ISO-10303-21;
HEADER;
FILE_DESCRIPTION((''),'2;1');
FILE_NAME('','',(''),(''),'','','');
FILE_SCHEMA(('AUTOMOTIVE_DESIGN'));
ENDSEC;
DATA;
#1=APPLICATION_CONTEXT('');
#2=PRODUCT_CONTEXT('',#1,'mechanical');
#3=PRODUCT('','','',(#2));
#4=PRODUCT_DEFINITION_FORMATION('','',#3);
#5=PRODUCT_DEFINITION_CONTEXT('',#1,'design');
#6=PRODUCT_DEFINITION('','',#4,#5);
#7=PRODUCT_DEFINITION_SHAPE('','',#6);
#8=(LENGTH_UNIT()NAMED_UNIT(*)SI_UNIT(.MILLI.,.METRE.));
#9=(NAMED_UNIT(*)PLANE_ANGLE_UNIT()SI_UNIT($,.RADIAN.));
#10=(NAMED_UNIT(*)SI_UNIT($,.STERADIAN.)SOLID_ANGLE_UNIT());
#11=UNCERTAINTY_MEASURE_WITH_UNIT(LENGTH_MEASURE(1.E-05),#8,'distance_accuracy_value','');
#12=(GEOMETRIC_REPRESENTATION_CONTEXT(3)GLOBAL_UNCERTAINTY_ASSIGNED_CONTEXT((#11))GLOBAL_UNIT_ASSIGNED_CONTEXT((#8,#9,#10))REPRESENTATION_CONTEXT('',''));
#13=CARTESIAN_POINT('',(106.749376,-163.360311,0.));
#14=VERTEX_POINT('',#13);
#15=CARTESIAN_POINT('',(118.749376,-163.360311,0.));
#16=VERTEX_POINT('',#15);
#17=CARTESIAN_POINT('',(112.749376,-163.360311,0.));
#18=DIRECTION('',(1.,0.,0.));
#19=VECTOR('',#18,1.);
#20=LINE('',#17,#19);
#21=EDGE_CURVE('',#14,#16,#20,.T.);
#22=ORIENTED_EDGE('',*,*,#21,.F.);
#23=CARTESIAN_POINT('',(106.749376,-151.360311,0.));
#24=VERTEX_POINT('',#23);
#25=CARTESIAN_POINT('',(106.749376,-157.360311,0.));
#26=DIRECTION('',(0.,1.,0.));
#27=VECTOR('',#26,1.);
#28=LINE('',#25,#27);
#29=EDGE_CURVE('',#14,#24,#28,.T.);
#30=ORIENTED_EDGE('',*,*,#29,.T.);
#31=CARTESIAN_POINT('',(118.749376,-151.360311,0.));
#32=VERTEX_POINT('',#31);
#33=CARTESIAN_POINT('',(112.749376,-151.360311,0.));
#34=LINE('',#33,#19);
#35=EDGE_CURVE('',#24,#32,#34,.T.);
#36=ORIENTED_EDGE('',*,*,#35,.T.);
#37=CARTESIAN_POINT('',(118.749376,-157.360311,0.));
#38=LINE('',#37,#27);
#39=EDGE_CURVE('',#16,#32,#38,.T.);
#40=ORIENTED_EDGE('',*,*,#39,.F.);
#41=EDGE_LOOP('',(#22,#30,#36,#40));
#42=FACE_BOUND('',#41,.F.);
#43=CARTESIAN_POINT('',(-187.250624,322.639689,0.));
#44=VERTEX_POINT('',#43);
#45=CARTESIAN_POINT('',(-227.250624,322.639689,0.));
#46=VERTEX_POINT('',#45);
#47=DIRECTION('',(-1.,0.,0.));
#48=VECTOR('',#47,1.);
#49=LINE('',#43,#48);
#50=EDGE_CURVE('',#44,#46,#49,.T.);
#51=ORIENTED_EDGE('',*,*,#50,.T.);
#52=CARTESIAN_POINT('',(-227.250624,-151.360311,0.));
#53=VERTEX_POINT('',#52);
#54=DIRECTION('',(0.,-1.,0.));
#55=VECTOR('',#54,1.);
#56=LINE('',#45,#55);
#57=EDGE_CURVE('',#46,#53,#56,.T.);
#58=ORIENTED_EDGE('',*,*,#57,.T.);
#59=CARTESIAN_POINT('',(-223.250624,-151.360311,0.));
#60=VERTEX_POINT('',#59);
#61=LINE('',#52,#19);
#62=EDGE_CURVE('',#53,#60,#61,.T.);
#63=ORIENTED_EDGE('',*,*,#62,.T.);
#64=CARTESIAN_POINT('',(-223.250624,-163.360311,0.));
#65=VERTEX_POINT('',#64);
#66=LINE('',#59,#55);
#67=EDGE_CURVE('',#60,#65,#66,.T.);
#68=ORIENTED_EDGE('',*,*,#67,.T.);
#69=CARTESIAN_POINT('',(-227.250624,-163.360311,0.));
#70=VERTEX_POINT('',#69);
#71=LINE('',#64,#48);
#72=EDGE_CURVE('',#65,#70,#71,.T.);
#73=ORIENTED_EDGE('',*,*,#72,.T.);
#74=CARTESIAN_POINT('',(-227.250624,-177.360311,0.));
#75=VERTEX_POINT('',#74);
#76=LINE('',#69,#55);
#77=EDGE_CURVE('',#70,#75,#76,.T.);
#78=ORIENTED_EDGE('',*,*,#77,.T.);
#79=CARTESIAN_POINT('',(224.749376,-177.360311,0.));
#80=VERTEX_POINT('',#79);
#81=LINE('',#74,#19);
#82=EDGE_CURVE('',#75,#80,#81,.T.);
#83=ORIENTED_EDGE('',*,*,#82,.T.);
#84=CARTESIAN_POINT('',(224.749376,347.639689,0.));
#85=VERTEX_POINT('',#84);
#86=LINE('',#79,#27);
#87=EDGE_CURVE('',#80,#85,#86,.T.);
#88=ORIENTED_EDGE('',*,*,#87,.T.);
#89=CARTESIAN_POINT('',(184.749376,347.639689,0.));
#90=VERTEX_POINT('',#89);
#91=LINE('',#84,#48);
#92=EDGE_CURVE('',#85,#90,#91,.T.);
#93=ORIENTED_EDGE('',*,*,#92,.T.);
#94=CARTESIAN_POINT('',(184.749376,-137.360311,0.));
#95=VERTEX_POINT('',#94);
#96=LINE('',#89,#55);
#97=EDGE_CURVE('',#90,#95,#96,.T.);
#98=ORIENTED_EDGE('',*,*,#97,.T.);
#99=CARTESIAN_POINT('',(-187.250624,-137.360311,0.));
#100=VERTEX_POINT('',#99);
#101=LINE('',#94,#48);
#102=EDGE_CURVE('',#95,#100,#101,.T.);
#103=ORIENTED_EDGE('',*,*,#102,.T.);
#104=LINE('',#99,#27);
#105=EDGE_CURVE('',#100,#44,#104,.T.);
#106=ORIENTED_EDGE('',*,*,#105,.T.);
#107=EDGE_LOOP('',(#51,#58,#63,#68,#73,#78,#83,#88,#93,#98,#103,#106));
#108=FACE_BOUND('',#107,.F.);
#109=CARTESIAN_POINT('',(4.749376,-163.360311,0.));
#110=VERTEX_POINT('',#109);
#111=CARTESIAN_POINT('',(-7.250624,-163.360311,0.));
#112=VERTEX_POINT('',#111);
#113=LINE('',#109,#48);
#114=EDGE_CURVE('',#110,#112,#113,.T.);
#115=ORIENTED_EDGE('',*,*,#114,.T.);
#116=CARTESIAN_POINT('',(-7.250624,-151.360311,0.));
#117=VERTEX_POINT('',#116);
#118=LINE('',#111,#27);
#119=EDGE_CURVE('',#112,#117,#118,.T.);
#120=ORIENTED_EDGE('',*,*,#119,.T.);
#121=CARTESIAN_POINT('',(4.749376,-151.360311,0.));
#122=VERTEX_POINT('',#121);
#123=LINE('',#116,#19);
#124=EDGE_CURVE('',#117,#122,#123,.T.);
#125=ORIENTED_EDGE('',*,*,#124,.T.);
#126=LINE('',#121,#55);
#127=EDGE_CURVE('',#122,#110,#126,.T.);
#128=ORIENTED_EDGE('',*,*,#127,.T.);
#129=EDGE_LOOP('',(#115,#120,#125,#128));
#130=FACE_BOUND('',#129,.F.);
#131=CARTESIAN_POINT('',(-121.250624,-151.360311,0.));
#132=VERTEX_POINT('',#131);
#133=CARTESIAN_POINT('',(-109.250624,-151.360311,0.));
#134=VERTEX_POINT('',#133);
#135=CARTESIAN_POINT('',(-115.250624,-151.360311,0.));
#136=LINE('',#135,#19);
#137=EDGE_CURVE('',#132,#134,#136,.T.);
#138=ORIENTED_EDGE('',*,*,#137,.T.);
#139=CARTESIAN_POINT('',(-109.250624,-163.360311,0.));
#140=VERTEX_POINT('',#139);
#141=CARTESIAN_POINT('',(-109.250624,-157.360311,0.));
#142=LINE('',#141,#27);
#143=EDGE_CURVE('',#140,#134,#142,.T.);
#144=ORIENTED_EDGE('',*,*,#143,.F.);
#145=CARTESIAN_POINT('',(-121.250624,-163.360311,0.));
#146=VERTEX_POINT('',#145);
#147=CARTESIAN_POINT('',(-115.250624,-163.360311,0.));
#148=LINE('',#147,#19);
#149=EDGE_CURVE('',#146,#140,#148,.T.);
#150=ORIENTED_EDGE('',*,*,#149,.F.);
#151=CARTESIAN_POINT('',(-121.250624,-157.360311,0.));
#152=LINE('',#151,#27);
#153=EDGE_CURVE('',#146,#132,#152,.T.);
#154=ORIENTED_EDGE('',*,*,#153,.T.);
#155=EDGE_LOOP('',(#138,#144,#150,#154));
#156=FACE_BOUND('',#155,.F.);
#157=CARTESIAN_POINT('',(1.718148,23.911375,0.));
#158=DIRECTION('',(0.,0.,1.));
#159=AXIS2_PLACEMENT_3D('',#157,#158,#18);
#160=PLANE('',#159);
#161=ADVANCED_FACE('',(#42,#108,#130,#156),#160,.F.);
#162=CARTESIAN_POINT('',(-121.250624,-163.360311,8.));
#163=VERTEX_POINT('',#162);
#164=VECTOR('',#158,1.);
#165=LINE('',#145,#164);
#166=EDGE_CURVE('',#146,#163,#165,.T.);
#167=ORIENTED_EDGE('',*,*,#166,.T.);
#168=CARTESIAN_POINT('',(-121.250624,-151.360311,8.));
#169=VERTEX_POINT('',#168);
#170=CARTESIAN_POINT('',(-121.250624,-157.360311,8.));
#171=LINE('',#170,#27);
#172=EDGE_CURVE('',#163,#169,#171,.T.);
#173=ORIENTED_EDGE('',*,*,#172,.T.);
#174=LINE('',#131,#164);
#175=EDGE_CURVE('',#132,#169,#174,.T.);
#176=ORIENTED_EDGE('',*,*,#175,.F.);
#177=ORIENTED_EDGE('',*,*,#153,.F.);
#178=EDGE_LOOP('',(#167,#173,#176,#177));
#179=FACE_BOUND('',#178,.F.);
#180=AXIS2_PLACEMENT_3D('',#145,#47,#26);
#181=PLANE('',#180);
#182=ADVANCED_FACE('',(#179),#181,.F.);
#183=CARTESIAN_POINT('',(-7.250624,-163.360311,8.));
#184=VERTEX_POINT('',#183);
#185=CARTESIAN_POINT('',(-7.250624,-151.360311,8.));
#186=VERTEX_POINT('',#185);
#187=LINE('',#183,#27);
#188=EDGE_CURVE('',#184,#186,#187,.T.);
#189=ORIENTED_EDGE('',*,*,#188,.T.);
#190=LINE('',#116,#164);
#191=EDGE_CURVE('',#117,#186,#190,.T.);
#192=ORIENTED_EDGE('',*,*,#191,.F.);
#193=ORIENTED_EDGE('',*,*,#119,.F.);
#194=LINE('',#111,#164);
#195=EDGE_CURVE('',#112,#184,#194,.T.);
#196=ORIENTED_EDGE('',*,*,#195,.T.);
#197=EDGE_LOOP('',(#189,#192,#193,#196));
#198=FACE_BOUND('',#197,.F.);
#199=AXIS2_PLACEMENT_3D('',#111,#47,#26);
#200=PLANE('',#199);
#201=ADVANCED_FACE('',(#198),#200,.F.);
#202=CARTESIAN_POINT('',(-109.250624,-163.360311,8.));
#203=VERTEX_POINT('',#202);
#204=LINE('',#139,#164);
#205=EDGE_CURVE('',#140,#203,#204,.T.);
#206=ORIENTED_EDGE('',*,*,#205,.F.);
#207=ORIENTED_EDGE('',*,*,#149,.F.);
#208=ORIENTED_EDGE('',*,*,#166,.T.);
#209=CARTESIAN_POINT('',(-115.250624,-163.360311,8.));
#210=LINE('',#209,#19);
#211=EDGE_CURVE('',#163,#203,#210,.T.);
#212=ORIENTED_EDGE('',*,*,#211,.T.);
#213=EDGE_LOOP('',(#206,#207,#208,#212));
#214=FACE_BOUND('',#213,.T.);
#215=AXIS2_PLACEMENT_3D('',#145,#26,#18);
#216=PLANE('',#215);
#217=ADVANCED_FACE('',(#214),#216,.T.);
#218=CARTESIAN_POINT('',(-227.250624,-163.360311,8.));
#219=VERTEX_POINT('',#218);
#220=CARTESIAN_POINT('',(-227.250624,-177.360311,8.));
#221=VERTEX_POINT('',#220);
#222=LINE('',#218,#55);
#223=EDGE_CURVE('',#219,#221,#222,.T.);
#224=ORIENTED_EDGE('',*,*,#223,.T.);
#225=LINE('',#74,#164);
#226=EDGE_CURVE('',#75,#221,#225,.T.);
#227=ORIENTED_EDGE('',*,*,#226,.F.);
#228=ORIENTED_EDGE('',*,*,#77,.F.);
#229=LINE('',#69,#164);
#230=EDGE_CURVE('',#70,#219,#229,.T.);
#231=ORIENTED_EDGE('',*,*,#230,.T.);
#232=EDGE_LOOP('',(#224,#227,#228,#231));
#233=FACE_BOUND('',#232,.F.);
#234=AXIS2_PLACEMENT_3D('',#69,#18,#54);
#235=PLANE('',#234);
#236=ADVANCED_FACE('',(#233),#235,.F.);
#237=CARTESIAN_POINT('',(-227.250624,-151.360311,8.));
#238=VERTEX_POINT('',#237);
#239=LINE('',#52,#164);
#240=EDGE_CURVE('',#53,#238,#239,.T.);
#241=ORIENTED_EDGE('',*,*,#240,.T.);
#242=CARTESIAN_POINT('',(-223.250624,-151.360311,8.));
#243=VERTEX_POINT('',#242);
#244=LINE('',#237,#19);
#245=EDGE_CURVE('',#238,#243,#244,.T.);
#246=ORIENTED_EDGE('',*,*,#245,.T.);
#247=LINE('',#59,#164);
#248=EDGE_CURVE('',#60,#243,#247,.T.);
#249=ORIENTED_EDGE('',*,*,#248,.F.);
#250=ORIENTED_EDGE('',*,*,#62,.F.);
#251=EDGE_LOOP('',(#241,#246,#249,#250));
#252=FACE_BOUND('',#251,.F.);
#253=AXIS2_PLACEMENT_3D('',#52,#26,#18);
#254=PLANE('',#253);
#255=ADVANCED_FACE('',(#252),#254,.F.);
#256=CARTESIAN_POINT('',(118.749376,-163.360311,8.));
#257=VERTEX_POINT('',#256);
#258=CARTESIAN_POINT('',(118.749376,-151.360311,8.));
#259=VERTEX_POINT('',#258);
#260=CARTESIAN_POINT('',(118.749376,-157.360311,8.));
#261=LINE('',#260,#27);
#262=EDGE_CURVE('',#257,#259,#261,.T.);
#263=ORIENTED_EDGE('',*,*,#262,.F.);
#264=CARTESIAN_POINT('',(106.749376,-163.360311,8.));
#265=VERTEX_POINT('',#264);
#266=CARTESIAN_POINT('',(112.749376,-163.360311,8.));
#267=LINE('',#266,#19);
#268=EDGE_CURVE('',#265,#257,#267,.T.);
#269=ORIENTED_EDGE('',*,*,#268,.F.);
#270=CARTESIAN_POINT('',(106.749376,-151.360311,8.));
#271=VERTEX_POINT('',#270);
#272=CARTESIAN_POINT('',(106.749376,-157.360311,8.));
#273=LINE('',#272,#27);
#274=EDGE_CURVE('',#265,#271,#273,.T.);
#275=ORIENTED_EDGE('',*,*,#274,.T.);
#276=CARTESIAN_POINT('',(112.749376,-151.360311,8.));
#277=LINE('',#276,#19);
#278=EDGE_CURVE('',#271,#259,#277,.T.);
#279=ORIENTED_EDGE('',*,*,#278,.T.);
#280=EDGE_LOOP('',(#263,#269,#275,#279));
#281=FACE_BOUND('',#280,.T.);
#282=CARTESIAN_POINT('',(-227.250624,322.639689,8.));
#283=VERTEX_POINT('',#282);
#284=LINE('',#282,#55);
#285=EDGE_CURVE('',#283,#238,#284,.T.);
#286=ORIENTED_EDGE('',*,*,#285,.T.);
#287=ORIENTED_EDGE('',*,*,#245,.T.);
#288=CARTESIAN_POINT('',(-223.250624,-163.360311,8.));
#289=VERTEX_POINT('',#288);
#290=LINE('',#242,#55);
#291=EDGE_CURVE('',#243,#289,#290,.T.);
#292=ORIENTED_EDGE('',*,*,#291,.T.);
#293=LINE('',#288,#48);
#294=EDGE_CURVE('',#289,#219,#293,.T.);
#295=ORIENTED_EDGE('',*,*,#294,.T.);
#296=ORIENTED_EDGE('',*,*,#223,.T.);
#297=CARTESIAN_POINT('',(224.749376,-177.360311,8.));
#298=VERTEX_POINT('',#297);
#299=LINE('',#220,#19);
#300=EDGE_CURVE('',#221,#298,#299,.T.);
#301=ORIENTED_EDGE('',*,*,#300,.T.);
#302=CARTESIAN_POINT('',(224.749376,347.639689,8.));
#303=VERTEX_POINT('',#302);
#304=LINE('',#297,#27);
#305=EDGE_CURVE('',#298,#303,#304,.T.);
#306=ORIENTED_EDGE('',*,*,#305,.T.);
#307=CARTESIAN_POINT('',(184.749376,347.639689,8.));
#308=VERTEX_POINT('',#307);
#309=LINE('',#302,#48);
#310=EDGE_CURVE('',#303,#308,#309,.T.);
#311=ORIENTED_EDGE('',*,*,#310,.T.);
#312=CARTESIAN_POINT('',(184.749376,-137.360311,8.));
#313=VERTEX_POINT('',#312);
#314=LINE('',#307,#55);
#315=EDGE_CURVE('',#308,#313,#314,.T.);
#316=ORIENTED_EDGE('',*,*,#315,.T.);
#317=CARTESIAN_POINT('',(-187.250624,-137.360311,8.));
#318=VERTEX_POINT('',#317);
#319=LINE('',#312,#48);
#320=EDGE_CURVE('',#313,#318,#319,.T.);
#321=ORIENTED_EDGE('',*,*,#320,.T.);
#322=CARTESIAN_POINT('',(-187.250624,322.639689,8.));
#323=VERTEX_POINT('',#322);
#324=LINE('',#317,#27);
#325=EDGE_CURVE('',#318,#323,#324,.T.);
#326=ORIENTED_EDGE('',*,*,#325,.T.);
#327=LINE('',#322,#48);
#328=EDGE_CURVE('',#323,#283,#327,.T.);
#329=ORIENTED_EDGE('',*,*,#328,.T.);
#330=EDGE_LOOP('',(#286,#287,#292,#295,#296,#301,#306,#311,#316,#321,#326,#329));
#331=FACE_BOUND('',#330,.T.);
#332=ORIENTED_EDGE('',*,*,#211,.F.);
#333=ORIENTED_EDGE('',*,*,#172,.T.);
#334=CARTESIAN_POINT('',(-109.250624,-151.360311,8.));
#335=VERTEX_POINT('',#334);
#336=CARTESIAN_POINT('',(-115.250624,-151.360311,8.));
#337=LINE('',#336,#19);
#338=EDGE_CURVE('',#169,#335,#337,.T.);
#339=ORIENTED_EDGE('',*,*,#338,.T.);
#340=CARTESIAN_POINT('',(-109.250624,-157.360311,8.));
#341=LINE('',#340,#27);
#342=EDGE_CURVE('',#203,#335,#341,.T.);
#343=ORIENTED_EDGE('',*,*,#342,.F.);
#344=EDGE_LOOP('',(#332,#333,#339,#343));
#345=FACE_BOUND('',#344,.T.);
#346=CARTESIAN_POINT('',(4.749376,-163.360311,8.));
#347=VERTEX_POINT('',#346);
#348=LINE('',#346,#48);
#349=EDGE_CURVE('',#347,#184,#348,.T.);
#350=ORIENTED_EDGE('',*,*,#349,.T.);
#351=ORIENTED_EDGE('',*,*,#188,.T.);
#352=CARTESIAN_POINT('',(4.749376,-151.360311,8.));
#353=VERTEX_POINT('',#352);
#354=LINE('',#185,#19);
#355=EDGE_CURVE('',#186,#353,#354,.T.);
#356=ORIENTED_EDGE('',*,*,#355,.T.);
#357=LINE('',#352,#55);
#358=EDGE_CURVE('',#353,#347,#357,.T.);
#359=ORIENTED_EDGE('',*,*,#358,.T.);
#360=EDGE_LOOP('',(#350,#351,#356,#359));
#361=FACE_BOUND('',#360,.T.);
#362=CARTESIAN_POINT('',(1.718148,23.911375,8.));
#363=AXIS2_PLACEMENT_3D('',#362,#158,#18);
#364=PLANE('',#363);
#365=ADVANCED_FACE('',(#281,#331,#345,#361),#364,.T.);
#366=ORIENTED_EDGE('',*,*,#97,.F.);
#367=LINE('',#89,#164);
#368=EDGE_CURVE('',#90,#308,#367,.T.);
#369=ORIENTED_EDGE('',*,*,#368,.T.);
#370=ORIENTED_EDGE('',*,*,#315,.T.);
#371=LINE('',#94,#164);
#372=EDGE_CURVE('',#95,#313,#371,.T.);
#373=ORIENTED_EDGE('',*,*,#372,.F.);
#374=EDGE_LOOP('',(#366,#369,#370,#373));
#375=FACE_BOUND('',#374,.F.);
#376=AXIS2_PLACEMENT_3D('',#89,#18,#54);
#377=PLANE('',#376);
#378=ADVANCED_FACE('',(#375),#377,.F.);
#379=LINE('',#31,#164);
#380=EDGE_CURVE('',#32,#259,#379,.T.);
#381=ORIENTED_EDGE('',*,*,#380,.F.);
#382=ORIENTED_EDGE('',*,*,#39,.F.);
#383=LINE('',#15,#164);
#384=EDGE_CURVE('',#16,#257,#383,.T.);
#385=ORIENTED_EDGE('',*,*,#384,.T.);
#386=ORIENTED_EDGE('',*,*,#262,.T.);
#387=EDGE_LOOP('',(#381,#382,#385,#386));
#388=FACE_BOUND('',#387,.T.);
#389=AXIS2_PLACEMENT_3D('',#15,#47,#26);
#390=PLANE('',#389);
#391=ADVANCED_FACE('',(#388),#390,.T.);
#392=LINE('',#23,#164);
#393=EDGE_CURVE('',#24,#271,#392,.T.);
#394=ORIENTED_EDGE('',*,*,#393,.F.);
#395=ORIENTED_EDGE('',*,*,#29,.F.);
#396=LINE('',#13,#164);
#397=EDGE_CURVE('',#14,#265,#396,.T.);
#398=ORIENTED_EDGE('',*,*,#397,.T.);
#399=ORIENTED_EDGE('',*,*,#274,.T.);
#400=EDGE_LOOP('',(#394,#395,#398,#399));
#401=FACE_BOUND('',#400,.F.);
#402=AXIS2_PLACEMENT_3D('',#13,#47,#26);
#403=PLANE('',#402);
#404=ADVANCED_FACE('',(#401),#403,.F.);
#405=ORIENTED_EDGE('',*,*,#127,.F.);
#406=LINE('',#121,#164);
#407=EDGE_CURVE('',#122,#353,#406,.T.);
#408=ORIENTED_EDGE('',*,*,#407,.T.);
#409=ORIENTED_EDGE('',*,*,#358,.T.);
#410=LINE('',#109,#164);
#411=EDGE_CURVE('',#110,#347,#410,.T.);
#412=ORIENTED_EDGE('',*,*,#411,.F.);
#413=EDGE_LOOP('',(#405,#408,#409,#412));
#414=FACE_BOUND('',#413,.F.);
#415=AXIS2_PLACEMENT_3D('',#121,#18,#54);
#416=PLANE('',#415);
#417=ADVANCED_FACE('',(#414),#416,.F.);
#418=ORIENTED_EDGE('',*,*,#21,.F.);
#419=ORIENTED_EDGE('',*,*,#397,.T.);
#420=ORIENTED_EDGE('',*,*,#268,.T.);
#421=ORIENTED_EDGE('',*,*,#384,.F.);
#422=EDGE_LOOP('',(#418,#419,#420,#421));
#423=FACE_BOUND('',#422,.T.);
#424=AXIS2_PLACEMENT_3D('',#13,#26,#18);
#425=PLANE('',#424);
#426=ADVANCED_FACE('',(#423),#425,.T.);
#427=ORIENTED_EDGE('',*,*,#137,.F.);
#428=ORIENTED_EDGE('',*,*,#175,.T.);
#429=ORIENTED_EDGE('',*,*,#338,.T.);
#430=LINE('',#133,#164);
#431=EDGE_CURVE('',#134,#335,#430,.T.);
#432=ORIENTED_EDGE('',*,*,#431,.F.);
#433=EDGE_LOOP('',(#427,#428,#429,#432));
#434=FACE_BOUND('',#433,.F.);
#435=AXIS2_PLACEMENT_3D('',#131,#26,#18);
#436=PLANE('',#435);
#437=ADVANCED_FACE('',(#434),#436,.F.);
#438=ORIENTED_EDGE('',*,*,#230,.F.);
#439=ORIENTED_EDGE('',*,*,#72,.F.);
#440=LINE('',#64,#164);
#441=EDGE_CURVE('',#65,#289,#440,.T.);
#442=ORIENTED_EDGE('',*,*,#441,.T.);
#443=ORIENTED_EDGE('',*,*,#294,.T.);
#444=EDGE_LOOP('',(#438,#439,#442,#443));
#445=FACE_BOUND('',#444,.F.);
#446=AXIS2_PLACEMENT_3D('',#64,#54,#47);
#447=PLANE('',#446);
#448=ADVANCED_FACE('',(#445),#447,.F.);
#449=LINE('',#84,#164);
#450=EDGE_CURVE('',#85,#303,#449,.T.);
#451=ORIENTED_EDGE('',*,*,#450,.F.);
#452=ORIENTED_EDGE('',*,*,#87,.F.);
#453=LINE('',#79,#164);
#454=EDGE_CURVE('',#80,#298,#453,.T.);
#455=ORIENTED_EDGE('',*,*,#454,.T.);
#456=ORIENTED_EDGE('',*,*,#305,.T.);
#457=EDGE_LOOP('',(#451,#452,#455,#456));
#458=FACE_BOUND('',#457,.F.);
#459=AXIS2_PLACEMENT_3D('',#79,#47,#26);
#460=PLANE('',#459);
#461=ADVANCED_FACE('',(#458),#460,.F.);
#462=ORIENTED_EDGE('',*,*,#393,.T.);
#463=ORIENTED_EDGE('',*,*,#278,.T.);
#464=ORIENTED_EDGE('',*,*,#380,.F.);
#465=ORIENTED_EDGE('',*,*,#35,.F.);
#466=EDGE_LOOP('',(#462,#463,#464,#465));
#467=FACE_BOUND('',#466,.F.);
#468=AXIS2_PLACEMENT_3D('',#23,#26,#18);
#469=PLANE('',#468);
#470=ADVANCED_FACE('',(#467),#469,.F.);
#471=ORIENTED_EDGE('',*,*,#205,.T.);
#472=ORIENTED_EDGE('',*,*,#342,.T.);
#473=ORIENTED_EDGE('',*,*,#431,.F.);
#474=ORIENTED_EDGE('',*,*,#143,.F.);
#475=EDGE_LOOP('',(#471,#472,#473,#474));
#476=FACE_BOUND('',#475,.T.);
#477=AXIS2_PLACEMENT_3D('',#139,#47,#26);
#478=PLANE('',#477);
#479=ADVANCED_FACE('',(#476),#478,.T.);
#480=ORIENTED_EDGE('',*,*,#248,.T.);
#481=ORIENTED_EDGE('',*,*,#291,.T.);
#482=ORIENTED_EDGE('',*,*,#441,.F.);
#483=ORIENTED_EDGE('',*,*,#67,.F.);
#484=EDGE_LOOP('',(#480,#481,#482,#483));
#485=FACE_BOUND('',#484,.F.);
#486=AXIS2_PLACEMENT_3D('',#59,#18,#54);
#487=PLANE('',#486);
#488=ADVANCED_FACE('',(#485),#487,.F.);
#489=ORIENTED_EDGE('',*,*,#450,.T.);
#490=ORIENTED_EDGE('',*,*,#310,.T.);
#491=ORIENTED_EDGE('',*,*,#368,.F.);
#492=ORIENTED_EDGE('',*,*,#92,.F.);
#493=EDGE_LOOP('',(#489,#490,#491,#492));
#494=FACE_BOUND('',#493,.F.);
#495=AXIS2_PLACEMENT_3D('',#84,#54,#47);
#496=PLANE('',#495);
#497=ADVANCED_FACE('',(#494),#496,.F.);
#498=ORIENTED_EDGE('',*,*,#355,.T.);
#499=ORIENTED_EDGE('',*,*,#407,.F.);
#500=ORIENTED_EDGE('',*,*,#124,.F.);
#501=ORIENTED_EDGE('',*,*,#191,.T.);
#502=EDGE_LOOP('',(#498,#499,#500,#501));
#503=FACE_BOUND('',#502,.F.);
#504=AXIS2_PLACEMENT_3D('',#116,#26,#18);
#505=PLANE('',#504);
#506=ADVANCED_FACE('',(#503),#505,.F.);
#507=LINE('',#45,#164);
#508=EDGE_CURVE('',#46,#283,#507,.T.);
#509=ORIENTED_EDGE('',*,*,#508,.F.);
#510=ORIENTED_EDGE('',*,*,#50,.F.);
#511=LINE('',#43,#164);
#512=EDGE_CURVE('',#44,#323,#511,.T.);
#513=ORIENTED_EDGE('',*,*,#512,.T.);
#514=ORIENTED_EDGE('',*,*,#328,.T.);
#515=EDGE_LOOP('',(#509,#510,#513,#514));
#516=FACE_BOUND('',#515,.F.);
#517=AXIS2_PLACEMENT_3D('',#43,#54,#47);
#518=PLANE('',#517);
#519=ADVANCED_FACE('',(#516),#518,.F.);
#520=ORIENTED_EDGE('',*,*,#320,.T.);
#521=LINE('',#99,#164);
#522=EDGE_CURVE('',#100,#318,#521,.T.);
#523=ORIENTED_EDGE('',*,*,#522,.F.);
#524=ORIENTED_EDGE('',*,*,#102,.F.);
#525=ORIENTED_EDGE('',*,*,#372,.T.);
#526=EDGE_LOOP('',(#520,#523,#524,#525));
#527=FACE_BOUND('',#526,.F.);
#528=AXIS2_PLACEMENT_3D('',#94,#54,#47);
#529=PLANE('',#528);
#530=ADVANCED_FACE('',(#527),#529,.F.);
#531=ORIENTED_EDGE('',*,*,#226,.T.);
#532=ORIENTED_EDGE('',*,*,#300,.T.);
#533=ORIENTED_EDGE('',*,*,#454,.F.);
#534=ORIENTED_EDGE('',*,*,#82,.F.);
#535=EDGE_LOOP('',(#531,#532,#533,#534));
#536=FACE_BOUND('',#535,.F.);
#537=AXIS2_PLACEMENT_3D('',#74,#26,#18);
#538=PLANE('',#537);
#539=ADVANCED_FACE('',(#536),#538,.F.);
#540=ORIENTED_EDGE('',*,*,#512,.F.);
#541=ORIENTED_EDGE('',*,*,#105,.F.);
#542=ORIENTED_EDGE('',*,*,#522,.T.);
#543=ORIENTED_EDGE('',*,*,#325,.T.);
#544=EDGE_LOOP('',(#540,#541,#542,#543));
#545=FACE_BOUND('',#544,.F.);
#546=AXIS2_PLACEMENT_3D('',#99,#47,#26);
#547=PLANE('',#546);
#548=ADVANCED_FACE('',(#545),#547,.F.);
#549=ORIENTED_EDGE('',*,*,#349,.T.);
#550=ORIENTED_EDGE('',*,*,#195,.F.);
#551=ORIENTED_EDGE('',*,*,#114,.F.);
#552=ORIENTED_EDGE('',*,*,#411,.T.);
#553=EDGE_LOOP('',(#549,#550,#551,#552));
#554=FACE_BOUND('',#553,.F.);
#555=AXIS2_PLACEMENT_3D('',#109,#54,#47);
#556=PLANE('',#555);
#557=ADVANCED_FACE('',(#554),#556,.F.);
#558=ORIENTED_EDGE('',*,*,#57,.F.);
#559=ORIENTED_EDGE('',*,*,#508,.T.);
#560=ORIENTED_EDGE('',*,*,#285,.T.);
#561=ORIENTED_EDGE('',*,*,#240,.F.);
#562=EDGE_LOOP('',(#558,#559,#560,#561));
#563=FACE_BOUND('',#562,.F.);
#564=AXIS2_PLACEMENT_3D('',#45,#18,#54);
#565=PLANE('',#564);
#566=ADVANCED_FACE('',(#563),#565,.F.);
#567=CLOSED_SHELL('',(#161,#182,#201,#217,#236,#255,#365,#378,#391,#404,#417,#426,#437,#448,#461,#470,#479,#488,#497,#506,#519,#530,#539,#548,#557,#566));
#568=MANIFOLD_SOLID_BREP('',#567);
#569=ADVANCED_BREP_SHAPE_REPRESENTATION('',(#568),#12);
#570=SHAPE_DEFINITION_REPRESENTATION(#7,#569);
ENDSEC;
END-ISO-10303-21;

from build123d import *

# Parameters (mm, degrees)
F0_W     = 12
F0_H     = 12
F1_DEPTH = 8


with BuildPart() as f1:
    # F0 (on Top) → F1 (new body)
    with BuildSketch(Plane.XY):
        Polygon((-187.250624, 322.639689), (-227.250624, 322.639689), (-227.250624, -151.360311), (-223.250624, -151.360311), (-223.250624, -163.360311), (-227.250624, -163.360311), (-227.250624, -177.360311), (224.749376, -177.360311), (224.749376, 347.639689), (184.749376, 347.639689), (184.749376, -137.360311), (-1.250624, -137.360311), (-187.250624, -137.360311), align=None)
        with Locations((-115.250624, -157.360311)):
            Rectangle(F0_W, F0_H, mode=Mode.SUBTRACT)
        Polygon((-7.250624, -151.360311), (-1.250624, -151.360311), (4.749376, -151.360311), (4.749376, -163.360311), (-7.250624, -163.360311), align=None, mode=Mode.SUBTRACT)
        with Locations((112.749376, -157.360311)):
            Rectangle(F0_W, F0_H, mode=Mode.SUBTRACT)
    extrude(amount=F1_DEPTH)


solid = f1.part
